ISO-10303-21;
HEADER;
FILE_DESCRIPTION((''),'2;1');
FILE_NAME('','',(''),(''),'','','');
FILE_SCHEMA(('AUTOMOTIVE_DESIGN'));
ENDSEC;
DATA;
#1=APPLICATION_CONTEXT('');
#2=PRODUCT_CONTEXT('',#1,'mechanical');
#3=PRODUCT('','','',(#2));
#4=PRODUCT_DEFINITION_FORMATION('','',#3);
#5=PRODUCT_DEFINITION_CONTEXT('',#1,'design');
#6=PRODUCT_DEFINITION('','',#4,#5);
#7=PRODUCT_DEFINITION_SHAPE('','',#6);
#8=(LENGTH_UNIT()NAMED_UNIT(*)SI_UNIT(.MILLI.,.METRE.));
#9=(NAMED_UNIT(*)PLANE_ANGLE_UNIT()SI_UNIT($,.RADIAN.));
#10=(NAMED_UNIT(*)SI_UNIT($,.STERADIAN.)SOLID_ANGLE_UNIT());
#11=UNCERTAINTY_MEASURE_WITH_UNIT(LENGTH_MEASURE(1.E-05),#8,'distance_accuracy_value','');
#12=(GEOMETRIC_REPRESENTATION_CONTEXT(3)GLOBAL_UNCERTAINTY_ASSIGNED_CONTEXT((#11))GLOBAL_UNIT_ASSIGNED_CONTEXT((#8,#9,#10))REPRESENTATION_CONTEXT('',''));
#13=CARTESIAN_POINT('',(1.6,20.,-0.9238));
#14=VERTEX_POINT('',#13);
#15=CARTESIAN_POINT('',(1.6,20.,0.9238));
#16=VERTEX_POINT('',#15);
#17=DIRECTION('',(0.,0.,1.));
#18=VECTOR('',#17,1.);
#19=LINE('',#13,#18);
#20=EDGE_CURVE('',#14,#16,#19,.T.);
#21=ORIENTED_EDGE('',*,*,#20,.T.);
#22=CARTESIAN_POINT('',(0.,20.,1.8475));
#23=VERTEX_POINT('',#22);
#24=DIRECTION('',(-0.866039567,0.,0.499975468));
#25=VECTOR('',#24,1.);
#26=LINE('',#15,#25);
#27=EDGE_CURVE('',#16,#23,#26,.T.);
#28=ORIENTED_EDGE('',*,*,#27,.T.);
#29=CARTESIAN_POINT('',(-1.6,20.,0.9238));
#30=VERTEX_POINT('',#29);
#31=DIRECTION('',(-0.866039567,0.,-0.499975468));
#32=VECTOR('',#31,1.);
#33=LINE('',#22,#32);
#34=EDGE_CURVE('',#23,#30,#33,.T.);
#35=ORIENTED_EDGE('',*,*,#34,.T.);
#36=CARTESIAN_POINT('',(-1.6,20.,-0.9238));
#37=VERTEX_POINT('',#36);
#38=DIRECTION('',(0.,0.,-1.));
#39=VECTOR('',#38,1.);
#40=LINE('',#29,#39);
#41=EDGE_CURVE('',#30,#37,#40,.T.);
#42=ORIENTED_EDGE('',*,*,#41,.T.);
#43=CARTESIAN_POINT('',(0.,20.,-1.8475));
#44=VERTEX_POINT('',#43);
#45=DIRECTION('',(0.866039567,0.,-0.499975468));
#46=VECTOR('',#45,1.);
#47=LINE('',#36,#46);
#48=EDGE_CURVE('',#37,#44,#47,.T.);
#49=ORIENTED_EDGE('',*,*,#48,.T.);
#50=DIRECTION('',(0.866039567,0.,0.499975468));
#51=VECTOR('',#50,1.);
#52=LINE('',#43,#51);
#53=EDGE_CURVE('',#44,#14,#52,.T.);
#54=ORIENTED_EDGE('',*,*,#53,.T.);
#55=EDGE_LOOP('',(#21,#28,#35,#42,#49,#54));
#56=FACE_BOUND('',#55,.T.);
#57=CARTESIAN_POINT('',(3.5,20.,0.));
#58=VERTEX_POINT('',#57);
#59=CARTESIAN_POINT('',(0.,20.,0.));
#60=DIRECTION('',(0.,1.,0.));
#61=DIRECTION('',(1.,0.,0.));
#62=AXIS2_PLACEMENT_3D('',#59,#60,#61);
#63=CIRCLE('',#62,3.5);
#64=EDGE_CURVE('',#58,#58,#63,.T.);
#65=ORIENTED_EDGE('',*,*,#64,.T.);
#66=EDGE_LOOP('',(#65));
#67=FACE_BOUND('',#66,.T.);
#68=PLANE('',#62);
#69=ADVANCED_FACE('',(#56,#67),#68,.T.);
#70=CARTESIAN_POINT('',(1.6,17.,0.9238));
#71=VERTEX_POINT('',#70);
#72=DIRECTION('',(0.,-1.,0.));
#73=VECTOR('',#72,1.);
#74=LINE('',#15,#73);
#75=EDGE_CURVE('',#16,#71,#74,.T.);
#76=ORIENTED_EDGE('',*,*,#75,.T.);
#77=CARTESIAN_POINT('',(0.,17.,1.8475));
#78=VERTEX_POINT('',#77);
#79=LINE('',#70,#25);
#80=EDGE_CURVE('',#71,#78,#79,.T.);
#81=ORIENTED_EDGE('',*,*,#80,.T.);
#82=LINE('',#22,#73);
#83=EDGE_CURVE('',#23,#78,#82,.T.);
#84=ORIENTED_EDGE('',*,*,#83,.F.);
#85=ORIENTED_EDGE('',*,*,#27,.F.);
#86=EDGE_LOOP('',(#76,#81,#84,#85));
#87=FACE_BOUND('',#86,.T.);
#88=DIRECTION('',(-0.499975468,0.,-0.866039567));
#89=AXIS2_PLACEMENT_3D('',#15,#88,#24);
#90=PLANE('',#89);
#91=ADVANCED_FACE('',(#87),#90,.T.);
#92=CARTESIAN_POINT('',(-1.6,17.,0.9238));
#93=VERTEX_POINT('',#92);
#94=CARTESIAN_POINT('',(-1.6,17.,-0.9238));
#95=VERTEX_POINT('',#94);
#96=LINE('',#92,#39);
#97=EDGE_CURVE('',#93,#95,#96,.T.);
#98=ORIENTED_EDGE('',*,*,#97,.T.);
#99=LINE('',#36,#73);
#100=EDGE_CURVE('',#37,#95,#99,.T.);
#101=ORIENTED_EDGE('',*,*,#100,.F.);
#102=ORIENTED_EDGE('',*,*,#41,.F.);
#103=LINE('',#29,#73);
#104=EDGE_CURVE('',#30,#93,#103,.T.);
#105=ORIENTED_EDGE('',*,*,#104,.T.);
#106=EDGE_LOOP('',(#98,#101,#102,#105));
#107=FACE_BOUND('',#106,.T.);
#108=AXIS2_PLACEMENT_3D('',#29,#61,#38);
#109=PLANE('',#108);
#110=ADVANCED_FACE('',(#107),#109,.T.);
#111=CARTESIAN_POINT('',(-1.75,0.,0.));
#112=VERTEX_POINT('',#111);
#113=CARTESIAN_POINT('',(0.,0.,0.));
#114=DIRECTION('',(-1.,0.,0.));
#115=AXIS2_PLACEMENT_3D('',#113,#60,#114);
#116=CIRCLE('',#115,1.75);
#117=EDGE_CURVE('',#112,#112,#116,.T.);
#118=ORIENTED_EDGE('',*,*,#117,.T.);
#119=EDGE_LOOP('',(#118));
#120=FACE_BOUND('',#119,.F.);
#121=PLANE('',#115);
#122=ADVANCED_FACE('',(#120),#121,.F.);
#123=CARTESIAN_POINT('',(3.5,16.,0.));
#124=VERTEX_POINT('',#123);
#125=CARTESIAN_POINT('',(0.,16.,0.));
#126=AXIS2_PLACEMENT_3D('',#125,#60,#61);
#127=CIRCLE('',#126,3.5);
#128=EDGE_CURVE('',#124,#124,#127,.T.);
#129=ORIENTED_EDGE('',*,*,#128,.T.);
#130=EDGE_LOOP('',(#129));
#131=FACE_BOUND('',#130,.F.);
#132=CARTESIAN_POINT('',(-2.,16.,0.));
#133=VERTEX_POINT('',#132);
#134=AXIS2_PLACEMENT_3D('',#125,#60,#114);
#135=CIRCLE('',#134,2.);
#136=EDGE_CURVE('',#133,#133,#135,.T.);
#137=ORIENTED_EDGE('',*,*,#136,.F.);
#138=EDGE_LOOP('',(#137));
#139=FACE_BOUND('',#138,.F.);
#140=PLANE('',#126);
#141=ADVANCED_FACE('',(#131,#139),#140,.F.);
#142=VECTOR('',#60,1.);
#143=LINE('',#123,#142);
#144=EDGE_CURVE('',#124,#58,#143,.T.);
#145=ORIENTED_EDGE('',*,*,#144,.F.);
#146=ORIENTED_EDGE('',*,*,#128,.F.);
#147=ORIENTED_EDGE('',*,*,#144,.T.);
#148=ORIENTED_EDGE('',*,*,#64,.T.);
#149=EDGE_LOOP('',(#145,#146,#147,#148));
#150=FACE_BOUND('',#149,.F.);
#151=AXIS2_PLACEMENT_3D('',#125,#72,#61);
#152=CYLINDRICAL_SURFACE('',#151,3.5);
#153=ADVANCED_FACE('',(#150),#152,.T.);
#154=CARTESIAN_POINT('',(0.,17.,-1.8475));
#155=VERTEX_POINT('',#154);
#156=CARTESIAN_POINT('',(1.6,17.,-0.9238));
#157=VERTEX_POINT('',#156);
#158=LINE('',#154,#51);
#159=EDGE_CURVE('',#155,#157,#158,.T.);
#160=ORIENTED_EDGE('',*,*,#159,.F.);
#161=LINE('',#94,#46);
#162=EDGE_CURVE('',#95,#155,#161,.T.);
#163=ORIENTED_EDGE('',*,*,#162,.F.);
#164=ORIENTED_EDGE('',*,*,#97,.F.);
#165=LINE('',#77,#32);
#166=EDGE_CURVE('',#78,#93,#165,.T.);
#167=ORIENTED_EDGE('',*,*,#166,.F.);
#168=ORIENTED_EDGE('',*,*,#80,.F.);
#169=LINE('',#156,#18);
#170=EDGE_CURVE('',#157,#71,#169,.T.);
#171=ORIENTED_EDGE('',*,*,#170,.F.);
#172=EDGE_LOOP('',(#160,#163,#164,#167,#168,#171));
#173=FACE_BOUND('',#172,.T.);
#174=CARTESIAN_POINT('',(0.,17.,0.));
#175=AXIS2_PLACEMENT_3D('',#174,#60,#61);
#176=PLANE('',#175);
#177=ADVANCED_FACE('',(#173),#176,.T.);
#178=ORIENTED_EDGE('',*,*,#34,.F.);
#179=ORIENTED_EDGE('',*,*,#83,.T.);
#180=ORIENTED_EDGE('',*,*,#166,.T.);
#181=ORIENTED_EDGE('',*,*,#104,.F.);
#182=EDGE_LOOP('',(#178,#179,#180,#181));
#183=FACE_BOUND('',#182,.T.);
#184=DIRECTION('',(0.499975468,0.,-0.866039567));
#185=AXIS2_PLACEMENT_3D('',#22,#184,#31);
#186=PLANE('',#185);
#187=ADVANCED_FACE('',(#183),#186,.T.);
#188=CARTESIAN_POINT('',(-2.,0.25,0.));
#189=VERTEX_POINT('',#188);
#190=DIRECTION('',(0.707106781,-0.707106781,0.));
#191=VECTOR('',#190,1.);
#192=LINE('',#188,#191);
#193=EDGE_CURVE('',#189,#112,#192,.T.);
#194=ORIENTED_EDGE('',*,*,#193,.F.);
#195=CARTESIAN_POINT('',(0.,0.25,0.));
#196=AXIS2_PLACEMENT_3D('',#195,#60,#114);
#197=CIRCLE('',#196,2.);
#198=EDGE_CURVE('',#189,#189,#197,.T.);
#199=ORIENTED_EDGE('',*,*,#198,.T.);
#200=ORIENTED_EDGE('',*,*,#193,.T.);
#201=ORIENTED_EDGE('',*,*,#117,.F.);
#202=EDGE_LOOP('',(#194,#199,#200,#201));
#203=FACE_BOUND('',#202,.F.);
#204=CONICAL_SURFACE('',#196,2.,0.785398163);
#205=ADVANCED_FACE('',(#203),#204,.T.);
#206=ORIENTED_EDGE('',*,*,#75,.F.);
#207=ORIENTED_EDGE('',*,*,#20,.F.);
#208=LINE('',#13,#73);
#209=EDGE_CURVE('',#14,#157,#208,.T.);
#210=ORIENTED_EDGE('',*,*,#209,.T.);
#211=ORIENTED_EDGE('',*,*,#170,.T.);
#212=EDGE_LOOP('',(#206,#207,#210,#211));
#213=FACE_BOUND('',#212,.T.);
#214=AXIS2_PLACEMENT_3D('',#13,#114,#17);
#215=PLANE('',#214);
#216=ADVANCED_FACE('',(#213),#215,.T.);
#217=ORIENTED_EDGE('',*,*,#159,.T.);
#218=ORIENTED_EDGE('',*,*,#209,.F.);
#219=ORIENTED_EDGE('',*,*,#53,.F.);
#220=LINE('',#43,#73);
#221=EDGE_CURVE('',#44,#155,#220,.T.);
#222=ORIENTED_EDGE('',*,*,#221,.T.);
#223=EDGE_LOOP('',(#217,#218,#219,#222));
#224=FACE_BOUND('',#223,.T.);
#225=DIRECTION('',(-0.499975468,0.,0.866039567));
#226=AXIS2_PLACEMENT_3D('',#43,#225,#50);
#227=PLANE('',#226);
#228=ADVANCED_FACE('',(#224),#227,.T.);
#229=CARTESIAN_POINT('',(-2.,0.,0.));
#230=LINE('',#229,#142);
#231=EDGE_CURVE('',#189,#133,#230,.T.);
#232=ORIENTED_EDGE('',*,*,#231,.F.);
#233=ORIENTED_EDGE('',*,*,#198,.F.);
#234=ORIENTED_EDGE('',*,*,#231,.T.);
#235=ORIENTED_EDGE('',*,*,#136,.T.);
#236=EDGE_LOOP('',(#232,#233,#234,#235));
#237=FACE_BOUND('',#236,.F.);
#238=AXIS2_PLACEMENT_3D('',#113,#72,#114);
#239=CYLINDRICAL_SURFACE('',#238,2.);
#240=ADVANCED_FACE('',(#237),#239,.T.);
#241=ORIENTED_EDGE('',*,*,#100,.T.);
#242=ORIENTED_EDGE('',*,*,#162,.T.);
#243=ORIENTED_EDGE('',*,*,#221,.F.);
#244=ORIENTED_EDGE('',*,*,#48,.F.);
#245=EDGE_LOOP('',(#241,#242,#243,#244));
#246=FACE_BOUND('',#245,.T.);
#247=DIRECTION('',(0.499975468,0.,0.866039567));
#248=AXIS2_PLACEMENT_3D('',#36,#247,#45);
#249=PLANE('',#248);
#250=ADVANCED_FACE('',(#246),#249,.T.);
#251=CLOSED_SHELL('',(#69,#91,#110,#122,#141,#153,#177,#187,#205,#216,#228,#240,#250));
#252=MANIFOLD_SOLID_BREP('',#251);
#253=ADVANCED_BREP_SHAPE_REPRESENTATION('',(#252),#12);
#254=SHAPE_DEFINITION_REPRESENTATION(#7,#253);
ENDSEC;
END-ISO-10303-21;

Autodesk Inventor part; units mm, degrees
ref_plane "YZ Plane" through (0, 0, 0) normal (1, 0, 0) x (0, 1, 0)
ref_plane "XZ Plane" through (0, 0, 0) normal (0, 1, 0) x (-1, 0, 0)
ref_plane "XY Plane" through (0, 0, 0) normal (0, 0, 1) x (1, 0, 0)
sketch "Sketch1" plane through (0, 0, 0) normal (0, 1, 0) x (-1, 0, 0)
  circle A0 centre (0, 0) radius 2
  dimension "d0" = 4
extrude "Extrusion1" add sketch "Sketch1" along normal blind 16
sketch "Sketch2" plane through (0, 16, 0) normal (0, 1, 0) x (1, 0, 0)
  circle A0 centre (0, 0) radius 2 projected
  circle A1 centre (0, 0) radius 3.5
  dimension "d3" = 7
extrude "Extrusion2" add sketch "Sketch2" along normal blind 4 contours A0 | A1
sketch "Sketch3" plane through (0, 20, 0) normal (0, 1, 0) x (1, 0, 0)
  circle A0 centre (0, 0) radius 3.5 projected
  line L0 (0, 1.8475) -> (1.6, 0.9238)
  line L1 (1.6, 0.9238) -> (1.6, -0.9238)
  line L2 (1.6, -0.9238) -> (0, -1.8475)
  line L3 (0, -1.8475) -> (-1.6, -0.9238)
  line L4 (-1.6, -0.9238) -> (-1.6, 0.9238)
  line L5 (-1.6, 0.9238) -> (0, 1.8475)
  dimension "d6" = 1.6
extrude "Extrusion3" cut sketch "Sketch3" against normal blind 3 contours L0 L1 L2 L3 L4 L5
thread "Thread1" size "M4x0.7" class "6g" standard "ANSI Metric M Profile" full length
chamfer "Chamfer1" distance 0.25 angle 45 1 edges at (2, 0, 0)
properties part number "M4x14SHCS"
